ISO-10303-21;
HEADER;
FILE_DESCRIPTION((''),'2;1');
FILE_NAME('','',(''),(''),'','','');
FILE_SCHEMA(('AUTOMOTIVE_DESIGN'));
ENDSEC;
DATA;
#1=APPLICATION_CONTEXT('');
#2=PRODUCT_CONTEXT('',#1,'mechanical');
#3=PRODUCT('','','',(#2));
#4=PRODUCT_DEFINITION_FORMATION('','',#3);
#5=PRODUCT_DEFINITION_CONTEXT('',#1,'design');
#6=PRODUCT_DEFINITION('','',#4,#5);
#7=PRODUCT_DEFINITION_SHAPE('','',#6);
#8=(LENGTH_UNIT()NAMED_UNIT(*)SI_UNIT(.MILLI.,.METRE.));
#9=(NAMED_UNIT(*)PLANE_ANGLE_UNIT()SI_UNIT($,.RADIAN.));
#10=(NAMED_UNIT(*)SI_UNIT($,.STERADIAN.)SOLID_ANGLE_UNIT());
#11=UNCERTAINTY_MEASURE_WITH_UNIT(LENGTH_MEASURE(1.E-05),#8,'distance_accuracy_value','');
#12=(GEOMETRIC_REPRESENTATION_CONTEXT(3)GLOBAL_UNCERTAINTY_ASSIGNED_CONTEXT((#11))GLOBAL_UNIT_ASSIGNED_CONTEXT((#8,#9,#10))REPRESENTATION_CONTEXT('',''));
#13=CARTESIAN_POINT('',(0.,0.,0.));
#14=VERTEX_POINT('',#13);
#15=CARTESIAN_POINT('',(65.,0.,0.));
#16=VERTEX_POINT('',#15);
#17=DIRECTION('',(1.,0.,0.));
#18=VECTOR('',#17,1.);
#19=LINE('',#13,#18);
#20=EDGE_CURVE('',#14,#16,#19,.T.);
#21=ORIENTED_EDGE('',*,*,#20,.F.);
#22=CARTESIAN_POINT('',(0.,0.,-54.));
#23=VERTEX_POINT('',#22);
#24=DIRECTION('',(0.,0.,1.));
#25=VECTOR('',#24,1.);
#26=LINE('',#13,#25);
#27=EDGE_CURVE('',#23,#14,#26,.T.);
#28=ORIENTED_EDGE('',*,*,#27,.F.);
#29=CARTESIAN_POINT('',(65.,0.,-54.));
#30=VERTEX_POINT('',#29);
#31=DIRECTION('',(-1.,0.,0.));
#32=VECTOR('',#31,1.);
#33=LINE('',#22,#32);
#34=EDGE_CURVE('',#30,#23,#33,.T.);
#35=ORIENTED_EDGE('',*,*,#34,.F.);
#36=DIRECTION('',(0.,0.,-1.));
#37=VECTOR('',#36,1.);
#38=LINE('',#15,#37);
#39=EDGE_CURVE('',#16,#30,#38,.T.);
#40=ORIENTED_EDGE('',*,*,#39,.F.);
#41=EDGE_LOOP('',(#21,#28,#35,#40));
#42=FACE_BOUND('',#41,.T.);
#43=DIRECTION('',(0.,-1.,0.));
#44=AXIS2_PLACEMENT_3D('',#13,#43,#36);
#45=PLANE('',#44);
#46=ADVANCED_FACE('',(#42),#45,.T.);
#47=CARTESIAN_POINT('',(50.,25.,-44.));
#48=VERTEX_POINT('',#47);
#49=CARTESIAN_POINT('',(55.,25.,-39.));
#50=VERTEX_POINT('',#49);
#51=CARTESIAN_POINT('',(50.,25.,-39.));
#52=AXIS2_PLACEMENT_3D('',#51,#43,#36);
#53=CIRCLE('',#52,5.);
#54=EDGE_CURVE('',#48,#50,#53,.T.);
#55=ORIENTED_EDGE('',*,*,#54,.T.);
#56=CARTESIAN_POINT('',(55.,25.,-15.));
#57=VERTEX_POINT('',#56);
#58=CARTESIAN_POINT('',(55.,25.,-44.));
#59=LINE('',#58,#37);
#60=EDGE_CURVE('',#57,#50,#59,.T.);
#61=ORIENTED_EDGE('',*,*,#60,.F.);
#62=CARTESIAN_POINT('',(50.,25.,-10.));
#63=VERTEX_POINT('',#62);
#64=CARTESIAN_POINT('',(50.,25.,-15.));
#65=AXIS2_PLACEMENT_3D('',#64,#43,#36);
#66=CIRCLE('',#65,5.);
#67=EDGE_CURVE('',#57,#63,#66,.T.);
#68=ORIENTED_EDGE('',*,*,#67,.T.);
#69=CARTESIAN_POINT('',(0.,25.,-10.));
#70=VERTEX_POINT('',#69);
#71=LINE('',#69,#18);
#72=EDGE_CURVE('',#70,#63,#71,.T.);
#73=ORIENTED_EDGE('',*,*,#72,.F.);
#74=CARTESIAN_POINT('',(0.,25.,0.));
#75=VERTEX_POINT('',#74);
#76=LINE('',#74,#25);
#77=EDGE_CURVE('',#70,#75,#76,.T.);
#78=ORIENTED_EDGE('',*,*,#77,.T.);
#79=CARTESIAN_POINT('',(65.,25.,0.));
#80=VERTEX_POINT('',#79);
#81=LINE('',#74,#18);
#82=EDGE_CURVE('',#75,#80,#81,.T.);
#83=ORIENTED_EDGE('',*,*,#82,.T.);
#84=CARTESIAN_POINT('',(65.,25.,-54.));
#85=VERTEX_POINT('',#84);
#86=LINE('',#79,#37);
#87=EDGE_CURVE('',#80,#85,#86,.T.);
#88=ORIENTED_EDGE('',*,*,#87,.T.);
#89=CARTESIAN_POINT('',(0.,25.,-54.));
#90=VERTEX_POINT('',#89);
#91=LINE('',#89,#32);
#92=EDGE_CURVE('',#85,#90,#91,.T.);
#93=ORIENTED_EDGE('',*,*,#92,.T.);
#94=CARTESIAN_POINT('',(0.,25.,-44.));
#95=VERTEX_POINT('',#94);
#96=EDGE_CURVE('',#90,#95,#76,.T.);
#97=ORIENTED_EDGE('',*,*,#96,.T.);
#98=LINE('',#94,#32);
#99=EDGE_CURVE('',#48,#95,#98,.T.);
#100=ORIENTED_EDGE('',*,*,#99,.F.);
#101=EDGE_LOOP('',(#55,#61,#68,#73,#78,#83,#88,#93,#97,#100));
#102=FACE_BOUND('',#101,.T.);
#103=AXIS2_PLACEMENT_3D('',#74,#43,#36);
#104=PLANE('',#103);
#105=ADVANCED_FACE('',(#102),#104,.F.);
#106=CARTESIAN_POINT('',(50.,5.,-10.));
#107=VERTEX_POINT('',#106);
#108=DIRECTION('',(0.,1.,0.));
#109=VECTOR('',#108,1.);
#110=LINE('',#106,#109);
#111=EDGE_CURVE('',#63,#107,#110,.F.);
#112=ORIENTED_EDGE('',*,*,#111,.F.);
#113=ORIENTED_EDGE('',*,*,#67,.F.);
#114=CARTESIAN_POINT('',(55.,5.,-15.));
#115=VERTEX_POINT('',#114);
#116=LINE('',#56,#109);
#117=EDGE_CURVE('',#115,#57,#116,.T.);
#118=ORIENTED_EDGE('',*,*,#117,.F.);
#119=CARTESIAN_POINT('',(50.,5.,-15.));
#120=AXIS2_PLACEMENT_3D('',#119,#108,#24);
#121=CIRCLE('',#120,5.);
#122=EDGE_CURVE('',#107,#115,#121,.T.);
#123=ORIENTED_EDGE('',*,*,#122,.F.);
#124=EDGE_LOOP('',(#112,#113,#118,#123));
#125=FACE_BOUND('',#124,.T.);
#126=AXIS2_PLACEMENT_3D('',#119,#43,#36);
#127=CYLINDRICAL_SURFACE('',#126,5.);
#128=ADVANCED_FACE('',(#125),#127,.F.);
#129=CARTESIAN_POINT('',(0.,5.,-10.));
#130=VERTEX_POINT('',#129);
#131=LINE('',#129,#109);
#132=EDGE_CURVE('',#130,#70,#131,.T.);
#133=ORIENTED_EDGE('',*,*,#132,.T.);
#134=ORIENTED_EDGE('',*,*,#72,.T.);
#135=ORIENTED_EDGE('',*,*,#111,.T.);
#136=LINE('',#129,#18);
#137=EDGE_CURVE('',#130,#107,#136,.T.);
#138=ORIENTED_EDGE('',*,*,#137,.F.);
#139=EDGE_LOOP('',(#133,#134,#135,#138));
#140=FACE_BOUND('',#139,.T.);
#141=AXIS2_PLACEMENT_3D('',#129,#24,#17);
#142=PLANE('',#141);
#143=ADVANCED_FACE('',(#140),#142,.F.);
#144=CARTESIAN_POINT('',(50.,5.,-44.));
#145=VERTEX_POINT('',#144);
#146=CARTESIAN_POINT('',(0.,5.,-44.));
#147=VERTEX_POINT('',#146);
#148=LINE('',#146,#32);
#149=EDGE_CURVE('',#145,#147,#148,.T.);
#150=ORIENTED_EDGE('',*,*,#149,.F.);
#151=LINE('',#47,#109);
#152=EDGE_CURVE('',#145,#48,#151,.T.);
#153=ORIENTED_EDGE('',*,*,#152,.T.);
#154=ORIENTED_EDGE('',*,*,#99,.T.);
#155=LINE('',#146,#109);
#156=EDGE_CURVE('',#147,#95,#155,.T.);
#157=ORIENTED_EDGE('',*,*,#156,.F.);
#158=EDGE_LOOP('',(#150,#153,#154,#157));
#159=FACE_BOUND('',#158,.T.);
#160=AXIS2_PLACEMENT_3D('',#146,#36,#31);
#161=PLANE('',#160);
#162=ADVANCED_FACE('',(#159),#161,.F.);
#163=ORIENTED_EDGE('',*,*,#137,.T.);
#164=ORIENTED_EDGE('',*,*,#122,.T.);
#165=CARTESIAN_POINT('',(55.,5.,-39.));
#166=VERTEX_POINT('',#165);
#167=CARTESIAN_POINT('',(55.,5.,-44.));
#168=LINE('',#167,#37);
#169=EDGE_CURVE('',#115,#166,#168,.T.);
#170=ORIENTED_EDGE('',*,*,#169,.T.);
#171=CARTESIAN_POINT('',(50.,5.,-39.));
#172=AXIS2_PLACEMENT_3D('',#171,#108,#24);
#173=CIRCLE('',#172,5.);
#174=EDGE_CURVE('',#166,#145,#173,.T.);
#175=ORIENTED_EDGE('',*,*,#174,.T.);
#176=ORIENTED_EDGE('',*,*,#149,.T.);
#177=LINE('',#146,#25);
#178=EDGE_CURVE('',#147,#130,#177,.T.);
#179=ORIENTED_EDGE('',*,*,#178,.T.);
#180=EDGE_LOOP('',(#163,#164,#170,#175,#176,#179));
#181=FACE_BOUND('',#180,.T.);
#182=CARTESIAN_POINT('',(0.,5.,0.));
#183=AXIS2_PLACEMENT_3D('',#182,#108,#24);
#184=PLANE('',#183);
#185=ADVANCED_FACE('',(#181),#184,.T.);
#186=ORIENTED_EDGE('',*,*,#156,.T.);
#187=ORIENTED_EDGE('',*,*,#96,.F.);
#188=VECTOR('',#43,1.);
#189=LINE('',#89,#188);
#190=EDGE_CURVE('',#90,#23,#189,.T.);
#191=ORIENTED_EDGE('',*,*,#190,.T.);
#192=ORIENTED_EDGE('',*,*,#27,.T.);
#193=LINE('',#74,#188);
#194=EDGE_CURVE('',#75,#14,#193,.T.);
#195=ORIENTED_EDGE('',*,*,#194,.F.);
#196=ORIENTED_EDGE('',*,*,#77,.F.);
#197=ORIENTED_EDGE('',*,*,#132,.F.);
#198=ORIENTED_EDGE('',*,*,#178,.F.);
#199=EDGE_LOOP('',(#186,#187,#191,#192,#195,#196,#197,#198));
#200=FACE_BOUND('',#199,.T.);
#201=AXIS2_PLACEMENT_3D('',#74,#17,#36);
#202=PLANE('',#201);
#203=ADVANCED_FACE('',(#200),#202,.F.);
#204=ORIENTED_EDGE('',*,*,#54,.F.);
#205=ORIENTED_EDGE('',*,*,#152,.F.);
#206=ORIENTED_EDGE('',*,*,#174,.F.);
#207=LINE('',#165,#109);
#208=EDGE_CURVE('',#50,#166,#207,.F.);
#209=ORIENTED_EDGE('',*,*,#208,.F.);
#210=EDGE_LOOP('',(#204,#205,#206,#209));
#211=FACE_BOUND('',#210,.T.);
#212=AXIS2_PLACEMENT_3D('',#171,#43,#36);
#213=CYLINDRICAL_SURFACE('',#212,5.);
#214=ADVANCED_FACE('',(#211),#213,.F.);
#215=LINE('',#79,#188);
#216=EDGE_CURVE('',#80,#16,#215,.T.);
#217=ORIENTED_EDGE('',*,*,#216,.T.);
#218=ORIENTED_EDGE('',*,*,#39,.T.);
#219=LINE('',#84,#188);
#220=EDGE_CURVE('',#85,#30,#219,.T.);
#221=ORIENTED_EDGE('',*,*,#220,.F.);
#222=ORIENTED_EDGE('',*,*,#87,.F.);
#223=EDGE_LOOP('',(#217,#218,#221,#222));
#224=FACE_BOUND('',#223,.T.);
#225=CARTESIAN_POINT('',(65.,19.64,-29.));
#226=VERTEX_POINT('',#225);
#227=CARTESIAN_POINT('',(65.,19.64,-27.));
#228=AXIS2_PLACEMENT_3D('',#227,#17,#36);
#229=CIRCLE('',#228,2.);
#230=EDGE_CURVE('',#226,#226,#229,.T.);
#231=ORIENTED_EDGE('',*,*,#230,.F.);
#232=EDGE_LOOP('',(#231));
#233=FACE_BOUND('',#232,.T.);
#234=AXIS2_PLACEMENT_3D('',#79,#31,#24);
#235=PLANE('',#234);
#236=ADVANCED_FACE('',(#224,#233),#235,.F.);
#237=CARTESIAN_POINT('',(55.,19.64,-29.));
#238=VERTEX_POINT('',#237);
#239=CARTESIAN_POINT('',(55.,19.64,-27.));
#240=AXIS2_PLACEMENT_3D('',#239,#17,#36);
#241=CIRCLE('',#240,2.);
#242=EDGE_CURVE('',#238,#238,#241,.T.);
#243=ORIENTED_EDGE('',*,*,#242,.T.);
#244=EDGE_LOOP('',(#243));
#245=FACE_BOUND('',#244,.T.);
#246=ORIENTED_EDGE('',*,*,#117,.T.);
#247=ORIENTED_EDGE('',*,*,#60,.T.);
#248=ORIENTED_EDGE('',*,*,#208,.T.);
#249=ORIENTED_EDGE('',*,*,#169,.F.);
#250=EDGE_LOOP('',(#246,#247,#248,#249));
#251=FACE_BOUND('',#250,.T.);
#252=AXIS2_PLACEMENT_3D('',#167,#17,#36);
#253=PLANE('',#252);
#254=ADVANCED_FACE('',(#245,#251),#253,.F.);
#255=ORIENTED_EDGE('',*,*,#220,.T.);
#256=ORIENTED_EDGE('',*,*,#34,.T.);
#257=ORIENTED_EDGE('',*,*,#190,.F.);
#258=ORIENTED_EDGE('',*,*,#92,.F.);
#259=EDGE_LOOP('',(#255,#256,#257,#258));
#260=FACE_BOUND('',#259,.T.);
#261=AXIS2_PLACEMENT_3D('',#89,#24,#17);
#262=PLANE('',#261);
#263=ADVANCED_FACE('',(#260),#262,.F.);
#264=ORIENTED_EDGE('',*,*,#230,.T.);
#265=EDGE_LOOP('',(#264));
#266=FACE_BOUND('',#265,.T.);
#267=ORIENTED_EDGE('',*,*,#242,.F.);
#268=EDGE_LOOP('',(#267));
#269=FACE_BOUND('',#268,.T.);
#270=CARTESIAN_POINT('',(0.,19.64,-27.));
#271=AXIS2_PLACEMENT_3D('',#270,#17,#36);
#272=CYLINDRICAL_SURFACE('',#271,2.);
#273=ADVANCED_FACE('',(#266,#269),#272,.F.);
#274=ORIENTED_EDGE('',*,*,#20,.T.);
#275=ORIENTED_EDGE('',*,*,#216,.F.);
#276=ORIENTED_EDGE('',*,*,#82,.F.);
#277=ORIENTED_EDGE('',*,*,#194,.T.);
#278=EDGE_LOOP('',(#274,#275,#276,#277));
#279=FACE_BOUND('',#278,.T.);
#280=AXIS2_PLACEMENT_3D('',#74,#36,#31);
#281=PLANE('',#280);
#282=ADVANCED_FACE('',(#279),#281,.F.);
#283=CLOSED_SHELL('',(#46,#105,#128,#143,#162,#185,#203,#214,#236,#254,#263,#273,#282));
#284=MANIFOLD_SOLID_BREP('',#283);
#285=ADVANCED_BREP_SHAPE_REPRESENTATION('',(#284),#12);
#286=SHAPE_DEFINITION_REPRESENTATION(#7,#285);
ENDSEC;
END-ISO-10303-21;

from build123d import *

# Parameters (mm, degrees)
SKETCH1_W           = 65
SKETCH1_H           = 54
BOSS_EXTRUDE1_DEPTH = 25
SKETCH2_W           = 55
SKETCH2_H           = 34
CUT_EXTRUDE1_DEPTH  = 20
SKETCH3_R           = 2
CUT_EXTRUDE2_DEPTH  = 66
FILLET1_R           = 5


with BuildPart() as part:
    # Sketch1 → Boss-Extrude1 (new body)
    with BuildSketch(Plane(origin=(0, 0, 0), x_dir=(1, 0, 0), z_dir=(0, 1, 0))):
        with Locations((32.5, 27)):
            Rectangle(SKETCH1_W, SKETCH1_H)
    extrude(amount=BOSS_EXTRUDE1_DEPTH)

    # Sketch2 → Cut-Extrude1 (cut)
    with BuildSketch(Plane(origin=(0, 25, 0), x_dir=(1, 0, 0), z_dir=(0, 1, 0))):
        with Locations((27.5, 27)):
            Rectangle(SKETCH2_W, SKETCH2_H)
    extrude(amount=-CUT_EXTRUDE1_DEPTH, mode=Mode.SUBTRACT)

    # Sketch3 → Cut-Extrude2 (cut, through all)
    with BuildSketch(Plane(origin=(65, 0, 0), x_dir=(0, 0, -1), z_dir=(1, 0, 0))):
        with Locations((27, 19.64)):
            Circle(SKETCH3_R)
    extrude(amount=-CUT_EXTRUDE2_DEPTH, mode=Mode.SUBTRACT)

    # Fillet1
    fillet1_edges = [part.edges().sort_by_distance(p)[0] for p in [
        (55, 15, -44),
        (55, 15, -10),
    ]]
    fillet(fillet1_edges, radius=FILLET1_R)


solid = part.part
